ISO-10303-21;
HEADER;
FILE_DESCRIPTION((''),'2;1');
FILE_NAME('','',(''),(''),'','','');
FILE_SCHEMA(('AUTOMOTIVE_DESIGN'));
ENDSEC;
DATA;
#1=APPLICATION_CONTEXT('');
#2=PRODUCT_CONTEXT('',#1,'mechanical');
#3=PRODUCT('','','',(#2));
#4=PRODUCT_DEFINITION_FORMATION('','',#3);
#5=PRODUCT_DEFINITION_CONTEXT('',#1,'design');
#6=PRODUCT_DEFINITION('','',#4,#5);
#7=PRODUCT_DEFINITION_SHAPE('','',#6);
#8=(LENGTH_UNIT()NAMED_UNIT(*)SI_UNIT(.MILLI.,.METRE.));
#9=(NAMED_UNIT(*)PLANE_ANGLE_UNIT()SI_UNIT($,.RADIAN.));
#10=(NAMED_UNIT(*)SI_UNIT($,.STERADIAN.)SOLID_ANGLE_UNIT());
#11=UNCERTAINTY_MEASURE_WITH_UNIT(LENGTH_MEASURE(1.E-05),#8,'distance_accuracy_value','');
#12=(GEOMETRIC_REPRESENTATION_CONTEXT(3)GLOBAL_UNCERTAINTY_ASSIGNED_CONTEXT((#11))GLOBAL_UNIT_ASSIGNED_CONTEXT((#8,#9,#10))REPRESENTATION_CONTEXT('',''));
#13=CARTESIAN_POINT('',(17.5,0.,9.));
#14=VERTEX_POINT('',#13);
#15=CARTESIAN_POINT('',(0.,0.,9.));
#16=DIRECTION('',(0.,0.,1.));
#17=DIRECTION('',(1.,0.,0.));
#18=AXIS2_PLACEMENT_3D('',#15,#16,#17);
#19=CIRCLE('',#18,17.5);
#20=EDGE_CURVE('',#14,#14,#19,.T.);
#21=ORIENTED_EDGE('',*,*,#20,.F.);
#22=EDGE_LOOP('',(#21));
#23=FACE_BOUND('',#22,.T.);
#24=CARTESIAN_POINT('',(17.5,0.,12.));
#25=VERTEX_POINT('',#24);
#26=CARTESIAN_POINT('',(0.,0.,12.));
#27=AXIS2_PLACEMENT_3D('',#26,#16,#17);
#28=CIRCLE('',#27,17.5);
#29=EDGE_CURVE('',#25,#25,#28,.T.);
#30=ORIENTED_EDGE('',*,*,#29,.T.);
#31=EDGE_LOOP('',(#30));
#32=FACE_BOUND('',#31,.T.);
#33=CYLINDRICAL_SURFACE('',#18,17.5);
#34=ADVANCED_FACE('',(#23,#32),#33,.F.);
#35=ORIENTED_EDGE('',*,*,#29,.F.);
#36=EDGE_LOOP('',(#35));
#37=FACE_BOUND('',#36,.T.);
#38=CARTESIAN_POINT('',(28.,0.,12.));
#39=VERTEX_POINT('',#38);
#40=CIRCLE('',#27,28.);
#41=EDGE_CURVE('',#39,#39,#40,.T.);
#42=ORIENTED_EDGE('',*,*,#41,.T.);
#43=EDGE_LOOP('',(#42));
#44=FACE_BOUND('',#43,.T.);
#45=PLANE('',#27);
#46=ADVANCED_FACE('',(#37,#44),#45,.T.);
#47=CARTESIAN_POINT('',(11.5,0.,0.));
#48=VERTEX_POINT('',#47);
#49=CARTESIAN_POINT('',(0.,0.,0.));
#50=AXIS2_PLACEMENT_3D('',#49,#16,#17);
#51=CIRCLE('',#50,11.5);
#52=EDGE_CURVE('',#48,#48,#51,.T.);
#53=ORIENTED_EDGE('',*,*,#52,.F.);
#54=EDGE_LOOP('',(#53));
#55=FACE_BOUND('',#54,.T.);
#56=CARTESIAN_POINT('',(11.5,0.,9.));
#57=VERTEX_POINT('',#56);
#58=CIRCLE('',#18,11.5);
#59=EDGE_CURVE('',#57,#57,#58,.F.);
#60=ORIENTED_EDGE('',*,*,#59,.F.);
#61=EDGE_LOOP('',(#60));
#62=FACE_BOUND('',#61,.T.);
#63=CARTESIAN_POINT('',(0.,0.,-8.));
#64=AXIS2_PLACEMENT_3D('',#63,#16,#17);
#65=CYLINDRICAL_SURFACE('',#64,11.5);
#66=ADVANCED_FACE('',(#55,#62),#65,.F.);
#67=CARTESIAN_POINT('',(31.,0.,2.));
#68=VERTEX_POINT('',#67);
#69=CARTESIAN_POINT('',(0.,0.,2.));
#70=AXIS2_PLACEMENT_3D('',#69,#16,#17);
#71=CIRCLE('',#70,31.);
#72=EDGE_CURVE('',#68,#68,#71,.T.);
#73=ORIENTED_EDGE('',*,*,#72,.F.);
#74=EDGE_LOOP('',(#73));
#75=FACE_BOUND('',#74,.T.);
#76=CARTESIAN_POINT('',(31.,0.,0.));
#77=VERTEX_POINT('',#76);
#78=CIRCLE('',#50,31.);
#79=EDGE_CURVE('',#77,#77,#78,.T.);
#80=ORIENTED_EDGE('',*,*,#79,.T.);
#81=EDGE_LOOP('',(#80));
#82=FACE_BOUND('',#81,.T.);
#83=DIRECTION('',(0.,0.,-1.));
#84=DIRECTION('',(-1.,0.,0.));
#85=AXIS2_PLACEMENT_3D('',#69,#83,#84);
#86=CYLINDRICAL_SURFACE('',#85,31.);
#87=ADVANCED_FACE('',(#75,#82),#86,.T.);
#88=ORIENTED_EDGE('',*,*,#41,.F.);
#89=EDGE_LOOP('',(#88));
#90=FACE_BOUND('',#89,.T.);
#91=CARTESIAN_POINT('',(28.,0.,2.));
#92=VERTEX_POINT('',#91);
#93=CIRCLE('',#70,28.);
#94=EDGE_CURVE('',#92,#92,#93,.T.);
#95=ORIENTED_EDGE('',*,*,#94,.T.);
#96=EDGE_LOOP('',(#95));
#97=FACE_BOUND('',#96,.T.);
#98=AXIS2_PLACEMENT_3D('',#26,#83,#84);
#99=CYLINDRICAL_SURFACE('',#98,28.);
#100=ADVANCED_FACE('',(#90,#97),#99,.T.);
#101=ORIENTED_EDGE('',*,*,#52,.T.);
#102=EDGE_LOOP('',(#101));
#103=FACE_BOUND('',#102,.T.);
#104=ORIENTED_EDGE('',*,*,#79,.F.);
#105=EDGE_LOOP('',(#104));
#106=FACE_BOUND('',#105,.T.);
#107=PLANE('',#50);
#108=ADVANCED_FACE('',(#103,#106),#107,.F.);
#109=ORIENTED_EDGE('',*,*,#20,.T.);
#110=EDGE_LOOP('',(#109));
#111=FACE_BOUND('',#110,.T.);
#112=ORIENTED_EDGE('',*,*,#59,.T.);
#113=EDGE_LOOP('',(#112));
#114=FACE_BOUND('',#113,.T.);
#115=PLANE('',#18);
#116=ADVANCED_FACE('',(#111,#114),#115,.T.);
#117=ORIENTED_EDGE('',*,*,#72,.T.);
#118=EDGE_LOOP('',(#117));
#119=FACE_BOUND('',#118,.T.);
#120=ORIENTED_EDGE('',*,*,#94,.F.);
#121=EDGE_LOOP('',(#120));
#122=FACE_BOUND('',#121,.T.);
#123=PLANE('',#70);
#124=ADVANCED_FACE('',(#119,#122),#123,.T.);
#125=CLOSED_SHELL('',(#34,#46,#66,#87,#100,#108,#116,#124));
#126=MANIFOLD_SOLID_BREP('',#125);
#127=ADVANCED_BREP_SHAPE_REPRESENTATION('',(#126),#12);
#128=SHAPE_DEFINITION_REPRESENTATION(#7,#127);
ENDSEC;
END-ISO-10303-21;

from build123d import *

# Parameters (mm, degrees)
CROQUIS1_R              = 31
SALIENTE_EXTRUIR1_DEPTH = 2
CROQUIS2_R              = 28
SALIENTE_EXTRUIR2_DEPTH = 10
CROQUIS3_R              = 11.5
CORTAR_EXTRUIR1_DEPTH   = 20
CROQUIS4_R              = 17.5
CORTAR_EXTRUIR2_DEPTH   = 3


with BuildPart() as part:
    # Croquis1 → Saliente-Extruir1 (new body)
    with BuildSketch(Plane.XY):
        Circle(CROQUIS1_R)
    extrude(amount=SALIENTE_EXTRUIR1_DEPTH)

    # Croquis2 → Saliente-Extruir2 (add)
    with BuildSketch(Plane.XY.offset(2)):
        Circle(CROQUIS2_R)
    extrude(amount=SALIENTE_EXTRUIR2_DEPTH)

    # Croquis3 → Cortar-Extruir1 (cut)
    with BuildSketch(Plane.XY.offset(12)):
        Circle(CROQUIS3_R)
    extrude(amount=-CORTAR_EXTRUIR1_DEPTH, mode=Mode.SUBTRACT)

    # Croquis4 → Cortar-Extruir2 (cut)
    with BuildSketch(Plane.XY.offset(12)):
        Circle(CROQUIS4_R)
    extrude(amount=-CORTAR_EXTRUIR2_DEPTH, mode=Mode.SUBTRACT)


solid = part.part
